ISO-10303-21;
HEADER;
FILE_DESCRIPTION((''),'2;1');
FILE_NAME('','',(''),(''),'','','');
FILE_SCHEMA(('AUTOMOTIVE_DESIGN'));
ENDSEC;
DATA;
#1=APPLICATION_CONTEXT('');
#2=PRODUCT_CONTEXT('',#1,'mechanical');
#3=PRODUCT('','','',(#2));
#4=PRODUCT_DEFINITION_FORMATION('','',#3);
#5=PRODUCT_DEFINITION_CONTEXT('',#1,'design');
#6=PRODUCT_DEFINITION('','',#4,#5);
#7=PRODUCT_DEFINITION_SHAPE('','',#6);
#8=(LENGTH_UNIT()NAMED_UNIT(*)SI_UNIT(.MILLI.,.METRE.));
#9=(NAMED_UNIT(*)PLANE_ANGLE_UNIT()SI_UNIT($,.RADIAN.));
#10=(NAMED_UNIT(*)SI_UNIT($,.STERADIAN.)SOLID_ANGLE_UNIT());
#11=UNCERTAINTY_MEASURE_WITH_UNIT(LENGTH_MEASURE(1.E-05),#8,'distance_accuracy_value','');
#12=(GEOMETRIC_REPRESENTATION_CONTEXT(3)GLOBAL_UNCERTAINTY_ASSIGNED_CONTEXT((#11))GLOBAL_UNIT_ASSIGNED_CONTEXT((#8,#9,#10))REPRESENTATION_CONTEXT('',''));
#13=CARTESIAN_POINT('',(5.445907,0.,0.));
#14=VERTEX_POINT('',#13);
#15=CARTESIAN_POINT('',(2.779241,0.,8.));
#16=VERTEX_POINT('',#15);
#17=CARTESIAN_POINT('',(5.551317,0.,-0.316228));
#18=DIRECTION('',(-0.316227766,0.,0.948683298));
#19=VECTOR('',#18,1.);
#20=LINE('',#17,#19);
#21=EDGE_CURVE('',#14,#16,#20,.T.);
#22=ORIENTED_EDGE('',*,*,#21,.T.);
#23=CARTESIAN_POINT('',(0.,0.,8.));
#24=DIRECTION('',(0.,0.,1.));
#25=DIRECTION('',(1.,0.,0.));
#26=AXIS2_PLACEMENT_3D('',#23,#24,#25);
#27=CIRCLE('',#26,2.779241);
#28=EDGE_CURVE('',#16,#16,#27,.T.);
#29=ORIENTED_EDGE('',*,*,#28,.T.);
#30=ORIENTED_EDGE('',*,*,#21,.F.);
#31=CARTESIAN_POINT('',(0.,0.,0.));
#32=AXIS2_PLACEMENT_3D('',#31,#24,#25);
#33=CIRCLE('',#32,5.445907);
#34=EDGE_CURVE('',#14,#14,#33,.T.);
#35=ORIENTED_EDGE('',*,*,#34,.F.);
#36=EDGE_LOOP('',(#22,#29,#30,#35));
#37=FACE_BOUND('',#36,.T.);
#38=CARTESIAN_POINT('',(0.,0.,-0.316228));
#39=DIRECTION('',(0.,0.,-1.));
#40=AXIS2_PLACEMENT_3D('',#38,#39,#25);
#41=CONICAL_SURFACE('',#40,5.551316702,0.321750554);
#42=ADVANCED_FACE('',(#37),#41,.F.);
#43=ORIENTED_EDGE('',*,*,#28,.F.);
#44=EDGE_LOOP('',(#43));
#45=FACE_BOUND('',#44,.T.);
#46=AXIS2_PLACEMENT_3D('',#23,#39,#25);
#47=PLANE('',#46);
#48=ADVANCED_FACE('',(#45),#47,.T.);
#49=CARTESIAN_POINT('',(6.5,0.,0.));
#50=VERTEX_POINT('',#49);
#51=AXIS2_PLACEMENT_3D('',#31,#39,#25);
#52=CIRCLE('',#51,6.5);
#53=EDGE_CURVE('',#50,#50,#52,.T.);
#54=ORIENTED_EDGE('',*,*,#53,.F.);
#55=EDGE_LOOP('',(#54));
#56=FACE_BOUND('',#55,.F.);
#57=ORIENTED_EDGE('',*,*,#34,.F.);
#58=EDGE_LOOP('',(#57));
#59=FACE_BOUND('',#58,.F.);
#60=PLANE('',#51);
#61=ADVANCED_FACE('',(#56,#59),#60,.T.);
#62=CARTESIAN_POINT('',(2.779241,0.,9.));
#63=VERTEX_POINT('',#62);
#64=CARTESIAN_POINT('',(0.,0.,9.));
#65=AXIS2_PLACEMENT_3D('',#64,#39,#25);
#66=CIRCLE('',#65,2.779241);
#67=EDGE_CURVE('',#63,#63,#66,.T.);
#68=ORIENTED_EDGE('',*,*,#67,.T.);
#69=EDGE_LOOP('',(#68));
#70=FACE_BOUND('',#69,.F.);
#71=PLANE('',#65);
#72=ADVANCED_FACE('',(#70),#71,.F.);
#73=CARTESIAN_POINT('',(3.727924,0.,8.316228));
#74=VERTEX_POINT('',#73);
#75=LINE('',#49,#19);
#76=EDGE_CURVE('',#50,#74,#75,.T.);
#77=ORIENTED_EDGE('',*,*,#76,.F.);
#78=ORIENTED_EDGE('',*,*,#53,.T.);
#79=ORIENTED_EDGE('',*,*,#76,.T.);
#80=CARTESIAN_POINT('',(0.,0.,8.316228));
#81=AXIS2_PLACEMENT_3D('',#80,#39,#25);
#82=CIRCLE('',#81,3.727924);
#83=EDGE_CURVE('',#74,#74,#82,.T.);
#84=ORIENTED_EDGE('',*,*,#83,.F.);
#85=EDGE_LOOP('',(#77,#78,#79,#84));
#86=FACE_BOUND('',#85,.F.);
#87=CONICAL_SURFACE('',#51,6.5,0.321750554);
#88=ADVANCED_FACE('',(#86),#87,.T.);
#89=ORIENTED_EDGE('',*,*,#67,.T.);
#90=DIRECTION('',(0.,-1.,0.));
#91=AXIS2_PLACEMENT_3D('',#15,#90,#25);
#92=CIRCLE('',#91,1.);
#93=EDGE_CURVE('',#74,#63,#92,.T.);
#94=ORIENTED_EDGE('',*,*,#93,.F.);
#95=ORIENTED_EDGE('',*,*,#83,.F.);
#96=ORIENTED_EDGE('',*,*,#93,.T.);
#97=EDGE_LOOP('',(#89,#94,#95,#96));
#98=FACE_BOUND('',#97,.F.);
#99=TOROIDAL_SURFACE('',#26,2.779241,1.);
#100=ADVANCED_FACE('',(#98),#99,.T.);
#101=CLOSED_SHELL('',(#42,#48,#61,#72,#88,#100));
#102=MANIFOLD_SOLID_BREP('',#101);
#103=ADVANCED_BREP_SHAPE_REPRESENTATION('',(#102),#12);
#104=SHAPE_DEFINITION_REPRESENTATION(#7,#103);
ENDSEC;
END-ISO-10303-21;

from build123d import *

# Parameters (mm, degrees)
F2_T = -1
F3_R = 1


with BuildPart() as f1:
    # F0 (on Front) → F1 (revolve)
    with BuildSketch(Plane.XZ):
        Polygon((0, 9), (0, 0), (6.5, 0), (3.5, 9), align=None)
    revolve(axis=Axis((0, 0, 4.5), (0, 0, -1)))

    # F2
    f2_openings = [f1.faces().sort_by_distance(p)[0] for p in [
        (0, 0, 0),
    ]]
    offset(amount=F2_T, openings=f2_openings)

    # F3
    f3_edges = [f1.edges().sort_by_distance(p)[0] for p in [
        (-3.5, 0, 9),
    ]]
    fillet(f3_edges, radius=F3_R)


solid = f1.part
